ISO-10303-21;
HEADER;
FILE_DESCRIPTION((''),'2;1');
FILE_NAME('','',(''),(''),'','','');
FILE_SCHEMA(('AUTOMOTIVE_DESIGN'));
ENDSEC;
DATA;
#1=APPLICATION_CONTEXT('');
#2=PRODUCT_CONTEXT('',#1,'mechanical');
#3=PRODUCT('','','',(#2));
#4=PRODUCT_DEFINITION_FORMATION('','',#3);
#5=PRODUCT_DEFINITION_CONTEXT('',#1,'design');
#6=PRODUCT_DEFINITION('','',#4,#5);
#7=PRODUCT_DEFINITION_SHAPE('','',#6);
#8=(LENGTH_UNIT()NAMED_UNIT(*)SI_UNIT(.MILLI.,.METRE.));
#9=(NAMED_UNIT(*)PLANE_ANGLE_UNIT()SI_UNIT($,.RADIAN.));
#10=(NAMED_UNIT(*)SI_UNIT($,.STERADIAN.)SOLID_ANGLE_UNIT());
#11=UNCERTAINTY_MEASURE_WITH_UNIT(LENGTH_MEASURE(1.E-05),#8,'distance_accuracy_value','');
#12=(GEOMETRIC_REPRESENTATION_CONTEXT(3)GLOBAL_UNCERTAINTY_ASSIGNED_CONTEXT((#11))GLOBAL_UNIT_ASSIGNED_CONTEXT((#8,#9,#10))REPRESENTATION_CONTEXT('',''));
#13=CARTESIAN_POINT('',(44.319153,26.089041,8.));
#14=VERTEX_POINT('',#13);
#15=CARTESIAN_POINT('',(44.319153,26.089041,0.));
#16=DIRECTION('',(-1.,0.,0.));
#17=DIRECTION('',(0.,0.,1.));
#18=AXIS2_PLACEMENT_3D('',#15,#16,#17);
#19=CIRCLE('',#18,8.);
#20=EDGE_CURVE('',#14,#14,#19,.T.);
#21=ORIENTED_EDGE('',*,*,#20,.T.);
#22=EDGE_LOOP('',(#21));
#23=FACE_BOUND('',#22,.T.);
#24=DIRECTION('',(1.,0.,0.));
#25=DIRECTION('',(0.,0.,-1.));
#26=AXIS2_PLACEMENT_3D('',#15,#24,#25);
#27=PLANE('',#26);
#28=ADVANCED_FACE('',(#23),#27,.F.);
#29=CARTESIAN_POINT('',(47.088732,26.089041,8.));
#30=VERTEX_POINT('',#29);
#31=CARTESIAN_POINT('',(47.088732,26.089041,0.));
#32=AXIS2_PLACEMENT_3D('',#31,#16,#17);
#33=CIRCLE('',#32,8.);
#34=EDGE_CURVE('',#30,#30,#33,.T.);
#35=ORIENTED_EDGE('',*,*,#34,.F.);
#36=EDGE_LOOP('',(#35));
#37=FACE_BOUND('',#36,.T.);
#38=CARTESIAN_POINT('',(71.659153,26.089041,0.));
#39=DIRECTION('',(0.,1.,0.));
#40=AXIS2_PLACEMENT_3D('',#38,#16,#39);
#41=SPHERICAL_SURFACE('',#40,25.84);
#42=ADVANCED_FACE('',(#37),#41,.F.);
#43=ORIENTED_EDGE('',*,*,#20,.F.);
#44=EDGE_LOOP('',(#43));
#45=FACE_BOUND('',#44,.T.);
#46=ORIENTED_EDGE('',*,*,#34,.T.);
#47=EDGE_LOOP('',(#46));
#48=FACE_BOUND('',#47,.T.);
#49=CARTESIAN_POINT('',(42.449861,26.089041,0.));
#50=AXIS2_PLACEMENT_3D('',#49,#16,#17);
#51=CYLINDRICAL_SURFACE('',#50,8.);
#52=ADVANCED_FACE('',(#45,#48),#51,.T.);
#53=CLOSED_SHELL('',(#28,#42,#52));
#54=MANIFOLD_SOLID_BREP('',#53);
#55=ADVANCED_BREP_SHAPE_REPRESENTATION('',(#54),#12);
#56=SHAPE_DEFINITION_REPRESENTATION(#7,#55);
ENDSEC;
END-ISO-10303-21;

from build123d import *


with BuildPart() as part:
    # 草图1 → 旋转1 (revolve)
    with BuildSketch(Plane.XY):
        with BuildLine():
            Line((44.319152693, 26.089041149), (44.319152693, 34.089041149))
            Line((44.319152693, 34.089041149), (47.088731661, 34.089041149))
            ThreePointArc((47.088731661, 34.089041149), (46.138521202, 30.139097637), (45.819152903, 26.089041149))
            Line((45.819152903, 26.089041149), (44.319152693, 26.089041149))
        make_face()
    revolve(axis=Axis((42.449861114, 26.089041149, 0), (1, 0, 0)))


solid = part.part
